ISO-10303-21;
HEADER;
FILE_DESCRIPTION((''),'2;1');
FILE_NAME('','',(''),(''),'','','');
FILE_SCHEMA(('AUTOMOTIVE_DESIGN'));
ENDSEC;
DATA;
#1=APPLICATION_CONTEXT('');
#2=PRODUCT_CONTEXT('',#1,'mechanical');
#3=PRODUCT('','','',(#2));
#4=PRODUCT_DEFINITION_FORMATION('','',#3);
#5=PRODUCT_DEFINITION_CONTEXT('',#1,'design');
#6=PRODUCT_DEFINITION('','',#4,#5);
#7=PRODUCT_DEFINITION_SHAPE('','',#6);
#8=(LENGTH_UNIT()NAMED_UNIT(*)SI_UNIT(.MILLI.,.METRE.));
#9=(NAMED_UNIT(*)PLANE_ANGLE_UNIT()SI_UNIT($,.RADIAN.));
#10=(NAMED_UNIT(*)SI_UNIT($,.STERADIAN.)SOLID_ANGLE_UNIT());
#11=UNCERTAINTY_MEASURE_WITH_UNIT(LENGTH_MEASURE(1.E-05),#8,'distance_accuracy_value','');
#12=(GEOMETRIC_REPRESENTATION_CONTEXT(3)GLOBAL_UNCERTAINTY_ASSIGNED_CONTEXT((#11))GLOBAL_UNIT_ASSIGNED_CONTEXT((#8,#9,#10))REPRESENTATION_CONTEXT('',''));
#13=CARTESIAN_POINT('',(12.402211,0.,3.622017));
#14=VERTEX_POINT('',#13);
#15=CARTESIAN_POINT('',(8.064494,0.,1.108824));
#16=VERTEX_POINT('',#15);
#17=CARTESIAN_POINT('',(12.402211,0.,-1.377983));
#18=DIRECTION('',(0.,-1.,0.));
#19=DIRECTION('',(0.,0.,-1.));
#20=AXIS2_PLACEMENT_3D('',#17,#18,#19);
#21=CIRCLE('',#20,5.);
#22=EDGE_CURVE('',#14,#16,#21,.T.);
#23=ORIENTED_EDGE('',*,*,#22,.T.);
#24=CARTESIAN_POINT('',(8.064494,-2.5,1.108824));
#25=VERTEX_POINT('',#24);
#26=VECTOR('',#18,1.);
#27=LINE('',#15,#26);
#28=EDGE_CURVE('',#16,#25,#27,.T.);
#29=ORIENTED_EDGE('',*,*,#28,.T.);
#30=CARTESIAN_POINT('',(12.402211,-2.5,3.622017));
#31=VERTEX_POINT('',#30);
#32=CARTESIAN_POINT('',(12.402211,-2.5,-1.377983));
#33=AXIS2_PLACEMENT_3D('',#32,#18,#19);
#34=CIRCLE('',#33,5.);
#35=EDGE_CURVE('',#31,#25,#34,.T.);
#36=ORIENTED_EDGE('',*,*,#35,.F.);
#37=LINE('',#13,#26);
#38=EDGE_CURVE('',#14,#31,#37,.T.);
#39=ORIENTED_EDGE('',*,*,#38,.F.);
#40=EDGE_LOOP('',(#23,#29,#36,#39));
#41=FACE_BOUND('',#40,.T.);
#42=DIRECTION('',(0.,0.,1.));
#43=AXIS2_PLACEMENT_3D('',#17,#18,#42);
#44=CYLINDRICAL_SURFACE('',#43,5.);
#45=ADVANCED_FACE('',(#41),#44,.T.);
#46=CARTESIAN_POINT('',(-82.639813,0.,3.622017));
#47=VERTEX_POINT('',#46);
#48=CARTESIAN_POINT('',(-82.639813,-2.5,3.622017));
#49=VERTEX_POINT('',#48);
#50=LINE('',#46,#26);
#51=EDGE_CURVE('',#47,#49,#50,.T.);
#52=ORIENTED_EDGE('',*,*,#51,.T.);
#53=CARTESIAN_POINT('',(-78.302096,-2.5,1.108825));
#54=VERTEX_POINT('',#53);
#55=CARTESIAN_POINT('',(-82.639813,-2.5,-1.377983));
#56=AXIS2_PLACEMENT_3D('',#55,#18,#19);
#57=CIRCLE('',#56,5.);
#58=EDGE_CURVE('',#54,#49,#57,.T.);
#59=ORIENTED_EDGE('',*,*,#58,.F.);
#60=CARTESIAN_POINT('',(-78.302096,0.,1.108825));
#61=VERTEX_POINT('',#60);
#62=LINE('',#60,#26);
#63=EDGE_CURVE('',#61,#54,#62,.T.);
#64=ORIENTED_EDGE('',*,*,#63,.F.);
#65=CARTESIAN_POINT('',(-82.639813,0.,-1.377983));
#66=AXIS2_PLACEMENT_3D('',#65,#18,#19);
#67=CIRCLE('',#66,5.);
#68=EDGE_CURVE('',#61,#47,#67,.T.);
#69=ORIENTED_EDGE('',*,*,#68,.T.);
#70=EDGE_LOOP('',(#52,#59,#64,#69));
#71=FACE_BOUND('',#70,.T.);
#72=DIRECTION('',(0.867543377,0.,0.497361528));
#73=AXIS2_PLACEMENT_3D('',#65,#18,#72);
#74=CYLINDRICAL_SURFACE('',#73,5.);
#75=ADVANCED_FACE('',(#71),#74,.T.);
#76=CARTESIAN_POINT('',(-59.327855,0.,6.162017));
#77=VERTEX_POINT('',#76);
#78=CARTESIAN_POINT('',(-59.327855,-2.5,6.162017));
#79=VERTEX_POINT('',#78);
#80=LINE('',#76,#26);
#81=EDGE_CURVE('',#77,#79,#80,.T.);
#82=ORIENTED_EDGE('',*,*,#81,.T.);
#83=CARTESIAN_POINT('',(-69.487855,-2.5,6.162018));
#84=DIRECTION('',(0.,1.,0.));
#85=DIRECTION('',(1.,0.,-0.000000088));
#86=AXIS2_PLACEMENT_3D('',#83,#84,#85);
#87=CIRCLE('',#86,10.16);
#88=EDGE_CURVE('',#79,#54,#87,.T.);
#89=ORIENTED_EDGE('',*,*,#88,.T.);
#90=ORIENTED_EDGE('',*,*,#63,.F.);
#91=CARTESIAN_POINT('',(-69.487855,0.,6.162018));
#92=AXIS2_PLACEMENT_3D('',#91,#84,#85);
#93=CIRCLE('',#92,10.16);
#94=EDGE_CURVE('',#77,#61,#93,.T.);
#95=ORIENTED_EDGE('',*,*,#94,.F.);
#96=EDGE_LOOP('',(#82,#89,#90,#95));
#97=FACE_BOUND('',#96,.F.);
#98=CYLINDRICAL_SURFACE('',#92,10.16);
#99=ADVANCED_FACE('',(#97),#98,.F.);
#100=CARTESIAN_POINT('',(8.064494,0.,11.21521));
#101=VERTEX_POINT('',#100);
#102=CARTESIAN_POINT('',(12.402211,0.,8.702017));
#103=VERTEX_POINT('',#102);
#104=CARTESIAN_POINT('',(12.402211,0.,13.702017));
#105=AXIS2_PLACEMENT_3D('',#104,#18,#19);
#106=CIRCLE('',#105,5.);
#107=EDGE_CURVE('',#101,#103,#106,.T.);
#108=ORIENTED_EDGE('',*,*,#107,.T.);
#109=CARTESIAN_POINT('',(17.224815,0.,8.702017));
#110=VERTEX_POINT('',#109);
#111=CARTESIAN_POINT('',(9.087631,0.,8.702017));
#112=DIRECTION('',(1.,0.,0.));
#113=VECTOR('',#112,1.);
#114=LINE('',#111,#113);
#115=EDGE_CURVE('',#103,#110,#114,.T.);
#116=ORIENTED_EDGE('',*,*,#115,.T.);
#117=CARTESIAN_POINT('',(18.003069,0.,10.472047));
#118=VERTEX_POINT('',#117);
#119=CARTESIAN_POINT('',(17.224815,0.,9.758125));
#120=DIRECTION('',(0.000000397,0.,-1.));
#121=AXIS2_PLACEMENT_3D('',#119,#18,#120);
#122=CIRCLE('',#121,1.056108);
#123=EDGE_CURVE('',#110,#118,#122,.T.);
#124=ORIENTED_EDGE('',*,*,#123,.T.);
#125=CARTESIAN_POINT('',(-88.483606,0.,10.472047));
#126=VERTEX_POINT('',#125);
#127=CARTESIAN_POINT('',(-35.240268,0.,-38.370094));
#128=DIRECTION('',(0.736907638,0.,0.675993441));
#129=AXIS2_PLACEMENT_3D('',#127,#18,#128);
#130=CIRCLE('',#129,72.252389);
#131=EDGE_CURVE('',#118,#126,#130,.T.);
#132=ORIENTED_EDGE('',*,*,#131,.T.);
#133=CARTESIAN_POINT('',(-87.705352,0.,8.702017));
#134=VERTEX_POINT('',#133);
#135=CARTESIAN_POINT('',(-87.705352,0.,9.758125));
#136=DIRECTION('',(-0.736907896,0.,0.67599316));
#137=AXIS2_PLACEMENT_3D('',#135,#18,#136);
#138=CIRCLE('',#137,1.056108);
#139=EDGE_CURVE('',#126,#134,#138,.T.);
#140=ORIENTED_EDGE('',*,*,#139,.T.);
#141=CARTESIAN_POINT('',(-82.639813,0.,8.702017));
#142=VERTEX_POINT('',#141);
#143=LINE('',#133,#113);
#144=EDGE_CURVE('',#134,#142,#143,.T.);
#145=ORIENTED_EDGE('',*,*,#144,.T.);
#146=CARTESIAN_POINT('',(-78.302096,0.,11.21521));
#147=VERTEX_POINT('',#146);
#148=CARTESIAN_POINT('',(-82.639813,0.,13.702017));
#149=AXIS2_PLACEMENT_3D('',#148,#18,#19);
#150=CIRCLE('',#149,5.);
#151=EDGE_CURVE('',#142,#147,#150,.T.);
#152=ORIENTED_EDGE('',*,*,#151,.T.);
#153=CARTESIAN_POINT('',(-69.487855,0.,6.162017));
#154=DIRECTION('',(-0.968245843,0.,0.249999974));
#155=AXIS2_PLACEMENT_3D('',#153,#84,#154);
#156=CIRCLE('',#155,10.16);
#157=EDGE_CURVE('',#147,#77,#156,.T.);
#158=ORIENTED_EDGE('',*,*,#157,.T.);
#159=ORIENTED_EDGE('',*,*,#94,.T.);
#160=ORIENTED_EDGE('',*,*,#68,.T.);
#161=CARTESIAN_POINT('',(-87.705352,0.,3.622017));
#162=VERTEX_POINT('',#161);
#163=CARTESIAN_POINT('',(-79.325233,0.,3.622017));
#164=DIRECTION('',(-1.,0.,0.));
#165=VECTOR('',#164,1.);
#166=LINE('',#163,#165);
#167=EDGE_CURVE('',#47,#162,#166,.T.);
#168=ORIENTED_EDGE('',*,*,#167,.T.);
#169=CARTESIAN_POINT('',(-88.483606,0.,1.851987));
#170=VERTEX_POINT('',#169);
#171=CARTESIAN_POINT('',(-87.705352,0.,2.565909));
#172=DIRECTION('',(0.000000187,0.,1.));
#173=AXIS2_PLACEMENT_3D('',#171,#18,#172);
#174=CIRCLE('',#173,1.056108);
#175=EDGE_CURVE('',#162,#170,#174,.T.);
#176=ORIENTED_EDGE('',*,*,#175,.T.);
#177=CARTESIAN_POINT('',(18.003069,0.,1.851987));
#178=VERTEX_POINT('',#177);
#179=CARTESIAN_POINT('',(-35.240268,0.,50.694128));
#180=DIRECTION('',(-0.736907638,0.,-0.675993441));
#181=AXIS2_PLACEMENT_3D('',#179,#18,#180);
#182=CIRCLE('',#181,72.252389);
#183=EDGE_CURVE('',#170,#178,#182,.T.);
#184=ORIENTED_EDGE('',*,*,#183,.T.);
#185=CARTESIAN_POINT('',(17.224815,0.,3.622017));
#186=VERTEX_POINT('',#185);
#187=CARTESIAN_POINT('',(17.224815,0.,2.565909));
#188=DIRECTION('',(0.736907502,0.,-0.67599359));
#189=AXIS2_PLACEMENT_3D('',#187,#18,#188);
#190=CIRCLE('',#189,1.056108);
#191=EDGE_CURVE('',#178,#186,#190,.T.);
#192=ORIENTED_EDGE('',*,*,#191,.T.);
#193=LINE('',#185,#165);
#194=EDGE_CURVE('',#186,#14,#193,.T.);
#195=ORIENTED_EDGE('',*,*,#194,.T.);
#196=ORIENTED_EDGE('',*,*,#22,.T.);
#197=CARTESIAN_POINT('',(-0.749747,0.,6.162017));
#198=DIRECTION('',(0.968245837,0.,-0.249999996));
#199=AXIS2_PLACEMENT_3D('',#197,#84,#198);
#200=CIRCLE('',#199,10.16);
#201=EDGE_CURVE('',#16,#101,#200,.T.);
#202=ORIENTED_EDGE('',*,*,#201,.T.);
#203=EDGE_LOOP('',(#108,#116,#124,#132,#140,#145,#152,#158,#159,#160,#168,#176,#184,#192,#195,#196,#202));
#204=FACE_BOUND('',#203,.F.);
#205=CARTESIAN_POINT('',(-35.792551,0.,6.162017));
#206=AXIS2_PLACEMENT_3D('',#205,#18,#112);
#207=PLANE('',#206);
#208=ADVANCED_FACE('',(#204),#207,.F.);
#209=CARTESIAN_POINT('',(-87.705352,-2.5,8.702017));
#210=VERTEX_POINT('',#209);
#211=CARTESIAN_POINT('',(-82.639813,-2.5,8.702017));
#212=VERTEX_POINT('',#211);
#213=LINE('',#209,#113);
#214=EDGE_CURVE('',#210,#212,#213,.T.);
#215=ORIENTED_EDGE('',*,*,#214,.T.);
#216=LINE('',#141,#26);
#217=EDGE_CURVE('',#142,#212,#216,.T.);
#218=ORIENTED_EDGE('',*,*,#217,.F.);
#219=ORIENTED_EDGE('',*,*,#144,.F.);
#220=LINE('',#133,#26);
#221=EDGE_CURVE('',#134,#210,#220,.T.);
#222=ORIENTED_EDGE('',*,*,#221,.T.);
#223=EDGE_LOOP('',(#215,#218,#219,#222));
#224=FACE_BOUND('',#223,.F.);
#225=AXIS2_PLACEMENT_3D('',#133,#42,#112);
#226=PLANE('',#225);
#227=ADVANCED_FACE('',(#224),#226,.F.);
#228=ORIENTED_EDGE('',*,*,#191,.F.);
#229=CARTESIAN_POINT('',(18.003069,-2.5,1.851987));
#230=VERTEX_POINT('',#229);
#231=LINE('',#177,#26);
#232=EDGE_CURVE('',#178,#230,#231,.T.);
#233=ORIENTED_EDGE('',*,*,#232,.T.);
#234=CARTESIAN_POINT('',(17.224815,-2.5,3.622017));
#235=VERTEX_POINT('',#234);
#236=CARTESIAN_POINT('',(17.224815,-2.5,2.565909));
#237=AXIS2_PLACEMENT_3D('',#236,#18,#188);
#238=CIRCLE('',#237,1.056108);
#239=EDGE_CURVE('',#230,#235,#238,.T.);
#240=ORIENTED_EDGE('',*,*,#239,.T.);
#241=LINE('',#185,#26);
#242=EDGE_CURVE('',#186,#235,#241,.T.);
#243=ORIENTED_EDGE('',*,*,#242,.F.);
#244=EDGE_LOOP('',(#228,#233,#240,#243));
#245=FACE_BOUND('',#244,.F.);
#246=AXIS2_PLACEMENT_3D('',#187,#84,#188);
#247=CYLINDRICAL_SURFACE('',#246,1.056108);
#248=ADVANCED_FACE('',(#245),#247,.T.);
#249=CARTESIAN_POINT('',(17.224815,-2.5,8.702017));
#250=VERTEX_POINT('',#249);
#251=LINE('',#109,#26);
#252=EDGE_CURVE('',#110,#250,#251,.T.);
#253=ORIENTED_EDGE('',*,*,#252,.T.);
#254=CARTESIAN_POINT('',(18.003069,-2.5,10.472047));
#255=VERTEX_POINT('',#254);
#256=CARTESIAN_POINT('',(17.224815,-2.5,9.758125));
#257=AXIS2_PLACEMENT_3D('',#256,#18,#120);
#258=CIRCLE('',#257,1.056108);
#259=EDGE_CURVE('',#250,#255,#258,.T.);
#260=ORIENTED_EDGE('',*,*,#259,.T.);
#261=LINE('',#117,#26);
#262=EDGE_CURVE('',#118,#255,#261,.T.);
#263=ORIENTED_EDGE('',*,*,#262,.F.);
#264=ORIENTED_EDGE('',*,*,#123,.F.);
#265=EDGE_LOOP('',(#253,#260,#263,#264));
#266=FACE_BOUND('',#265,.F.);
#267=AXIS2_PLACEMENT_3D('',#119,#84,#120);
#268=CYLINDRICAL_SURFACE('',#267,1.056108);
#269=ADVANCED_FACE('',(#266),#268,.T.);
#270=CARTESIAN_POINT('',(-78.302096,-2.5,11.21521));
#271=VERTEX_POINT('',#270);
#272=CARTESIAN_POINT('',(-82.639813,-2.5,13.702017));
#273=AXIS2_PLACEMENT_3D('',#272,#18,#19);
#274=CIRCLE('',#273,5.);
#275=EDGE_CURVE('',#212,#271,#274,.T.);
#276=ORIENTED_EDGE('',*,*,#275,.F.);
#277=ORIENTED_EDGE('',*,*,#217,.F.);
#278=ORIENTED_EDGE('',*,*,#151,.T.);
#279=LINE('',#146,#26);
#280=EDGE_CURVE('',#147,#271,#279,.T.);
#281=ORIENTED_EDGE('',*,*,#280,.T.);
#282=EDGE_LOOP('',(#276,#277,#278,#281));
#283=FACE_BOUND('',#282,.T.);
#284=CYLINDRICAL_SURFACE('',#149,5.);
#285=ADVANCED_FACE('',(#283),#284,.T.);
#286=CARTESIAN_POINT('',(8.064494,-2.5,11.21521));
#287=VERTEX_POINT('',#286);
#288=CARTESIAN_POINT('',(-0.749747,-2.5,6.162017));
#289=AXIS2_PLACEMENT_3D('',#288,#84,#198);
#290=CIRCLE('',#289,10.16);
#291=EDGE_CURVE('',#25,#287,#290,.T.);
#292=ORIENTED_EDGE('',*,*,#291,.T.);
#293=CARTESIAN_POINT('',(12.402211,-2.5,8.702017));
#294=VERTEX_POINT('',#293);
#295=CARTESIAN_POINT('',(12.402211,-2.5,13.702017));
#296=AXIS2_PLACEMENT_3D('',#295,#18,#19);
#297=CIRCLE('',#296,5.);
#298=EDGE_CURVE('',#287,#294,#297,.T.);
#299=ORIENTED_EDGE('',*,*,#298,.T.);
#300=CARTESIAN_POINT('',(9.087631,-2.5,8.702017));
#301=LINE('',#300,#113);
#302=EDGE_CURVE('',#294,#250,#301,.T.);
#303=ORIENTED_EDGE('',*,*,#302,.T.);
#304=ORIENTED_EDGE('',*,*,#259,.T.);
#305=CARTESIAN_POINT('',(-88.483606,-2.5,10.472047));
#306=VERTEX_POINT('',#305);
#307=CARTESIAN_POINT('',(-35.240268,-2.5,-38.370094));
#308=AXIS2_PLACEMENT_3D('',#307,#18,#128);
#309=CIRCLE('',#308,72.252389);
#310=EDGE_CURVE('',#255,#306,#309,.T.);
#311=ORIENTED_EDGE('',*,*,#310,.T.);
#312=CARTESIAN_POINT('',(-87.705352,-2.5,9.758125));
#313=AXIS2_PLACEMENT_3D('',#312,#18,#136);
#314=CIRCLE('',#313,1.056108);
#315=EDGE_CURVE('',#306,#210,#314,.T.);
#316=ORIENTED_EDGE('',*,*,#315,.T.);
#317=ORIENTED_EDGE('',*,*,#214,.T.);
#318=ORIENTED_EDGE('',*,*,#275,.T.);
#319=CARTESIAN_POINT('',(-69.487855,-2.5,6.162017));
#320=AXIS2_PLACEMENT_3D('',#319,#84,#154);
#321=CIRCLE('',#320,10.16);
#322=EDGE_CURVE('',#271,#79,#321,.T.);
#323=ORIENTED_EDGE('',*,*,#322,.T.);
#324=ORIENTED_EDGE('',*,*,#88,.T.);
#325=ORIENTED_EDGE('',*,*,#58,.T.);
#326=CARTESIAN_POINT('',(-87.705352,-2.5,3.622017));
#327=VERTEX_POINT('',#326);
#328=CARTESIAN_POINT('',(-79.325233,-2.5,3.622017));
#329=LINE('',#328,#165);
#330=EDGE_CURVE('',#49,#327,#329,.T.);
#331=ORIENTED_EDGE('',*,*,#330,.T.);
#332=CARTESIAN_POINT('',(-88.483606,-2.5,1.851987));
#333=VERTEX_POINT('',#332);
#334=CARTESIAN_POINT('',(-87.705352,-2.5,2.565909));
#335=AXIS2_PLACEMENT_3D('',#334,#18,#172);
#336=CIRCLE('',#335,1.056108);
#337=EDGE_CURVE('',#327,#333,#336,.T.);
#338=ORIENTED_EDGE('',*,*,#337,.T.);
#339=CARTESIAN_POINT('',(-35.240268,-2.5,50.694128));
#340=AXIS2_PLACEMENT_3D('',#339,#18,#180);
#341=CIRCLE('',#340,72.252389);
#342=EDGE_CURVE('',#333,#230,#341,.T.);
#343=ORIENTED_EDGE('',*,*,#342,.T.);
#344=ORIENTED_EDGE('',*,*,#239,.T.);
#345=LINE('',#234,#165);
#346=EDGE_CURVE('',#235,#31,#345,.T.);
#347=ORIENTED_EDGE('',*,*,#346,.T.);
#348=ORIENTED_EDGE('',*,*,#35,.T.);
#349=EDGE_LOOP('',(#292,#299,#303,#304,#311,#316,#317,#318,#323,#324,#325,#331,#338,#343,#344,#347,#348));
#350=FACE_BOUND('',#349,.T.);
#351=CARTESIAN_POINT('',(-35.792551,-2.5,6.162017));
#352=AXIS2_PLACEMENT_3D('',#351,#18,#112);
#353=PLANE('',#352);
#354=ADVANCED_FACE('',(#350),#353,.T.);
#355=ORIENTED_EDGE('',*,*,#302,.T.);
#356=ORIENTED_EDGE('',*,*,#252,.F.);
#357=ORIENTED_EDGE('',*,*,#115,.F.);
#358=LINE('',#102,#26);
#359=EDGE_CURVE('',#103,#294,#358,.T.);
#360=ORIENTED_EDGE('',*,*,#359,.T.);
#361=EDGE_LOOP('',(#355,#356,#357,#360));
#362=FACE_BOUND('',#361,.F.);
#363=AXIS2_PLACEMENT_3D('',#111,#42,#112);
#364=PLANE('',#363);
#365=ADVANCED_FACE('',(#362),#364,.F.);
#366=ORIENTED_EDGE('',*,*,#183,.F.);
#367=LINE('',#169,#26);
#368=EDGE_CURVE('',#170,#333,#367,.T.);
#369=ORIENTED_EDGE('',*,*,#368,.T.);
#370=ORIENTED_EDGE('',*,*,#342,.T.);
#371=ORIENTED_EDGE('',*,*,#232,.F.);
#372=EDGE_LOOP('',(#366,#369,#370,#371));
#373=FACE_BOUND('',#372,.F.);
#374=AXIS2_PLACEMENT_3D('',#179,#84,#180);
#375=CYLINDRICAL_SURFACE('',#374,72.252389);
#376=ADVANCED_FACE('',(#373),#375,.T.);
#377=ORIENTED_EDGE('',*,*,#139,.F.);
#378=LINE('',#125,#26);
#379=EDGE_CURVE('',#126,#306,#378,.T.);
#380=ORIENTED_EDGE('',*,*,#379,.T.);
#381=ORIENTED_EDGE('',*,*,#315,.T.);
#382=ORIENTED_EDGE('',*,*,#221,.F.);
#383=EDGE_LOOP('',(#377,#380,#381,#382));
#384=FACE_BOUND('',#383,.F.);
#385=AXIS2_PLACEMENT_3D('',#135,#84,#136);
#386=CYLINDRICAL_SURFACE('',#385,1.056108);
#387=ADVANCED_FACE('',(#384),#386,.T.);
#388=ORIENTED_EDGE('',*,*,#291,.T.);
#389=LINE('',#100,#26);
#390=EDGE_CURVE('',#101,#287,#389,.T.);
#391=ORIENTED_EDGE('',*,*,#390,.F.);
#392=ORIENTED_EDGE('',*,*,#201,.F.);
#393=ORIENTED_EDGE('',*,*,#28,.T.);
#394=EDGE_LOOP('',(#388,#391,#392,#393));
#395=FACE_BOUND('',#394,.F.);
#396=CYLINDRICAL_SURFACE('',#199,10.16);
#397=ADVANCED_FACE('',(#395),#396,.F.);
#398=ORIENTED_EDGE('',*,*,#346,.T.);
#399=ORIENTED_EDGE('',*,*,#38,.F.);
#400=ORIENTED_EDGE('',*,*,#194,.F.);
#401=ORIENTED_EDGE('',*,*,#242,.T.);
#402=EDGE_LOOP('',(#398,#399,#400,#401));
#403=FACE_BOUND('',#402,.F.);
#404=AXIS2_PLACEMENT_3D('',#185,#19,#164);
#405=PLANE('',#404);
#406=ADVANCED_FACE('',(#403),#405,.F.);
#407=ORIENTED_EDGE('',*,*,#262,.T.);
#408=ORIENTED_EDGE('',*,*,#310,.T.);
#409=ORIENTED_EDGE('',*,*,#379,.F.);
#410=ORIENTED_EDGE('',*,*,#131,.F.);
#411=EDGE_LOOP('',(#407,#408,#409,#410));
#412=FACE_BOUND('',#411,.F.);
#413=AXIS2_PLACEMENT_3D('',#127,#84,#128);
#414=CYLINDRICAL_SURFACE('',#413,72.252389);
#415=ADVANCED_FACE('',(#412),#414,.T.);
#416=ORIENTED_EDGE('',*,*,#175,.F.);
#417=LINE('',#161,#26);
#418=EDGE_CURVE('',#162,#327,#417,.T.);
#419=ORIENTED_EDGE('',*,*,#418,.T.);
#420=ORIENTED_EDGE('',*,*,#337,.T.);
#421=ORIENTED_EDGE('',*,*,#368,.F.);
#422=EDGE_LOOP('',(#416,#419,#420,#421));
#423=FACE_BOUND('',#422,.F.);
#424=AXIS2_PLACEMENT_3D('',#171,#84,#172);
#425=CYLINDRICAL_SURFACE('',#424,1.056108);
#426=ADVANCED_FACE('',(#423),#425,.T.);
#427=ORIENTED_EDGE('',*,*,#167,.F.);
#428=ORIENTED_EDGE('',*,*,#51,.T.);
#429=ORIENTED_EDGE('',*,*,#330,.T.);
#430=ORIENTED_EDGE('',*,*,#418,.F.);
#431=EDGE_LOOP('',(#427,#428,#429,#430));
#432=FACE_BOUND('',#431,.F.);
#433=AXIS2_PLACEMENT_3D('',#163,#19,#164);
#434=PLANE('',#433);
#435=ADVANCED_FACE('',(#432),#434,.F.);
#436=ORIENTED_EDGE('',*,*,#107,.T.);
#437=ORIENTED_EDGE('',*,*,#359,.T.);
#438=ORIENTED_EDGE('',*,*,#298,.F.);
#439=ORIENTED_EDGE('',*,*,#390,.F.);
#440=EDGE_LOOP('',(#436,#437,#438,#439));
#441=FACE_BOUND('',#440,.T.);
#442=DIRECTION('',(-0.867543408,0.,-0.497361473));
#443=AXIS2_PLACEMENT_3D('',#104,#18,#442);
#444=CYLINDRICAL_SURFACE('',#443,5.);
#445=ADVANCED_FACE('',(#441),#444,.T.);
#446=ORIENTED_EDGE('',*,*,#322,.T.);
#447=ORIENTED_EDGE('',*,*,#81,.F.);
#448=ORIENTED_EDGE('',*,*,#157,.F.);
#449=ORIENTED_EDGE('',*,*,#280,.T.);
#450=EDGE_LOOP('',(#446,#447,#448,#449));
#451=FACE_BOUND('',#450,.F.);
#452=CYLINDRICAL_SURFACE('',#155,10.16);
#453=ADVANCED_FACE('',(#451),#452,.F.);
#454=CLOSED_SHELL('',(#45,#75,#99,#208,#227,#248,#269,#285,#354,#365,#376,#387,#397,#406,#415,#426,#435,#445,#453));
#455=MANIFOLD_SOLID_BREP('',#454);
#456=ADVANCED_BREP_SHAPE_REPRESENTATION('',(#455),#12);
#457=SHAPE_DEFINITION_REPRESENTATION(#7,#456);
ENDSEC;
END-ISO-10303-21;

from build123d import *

# Parameters (mm, degrees)
F1_DEPTH = 2.5
F2_R     = 5


with BuildPart() as f1:
    # F0 (on Front) → F1 (new body)
    with BuildSketch(Plane.XZ):
        with BuildLine():
            ThreePointArc((17.224815, 8.702017), (18.191599, 9.333046), (18.003069, 10.472047))
            ThreePointArc((18.003069, 10.472047), (-35.240268, 33.882295), (-88.483606, 10.472047))
            ThreePointArc((-88.483606, 10.472047), (-88.672136, 9.333046), (-87.705352, 8.702017))
            Line((-87.705352, 8.702017), (-79.325233, 8.702017))
            ThreePointArc((-79.325233, 8.702017), (-68.207651, 16.241039), (-59.327855, 6.162017))
            ThreePointArc((-59.327855, 6.162017), (-68.207651, -3.917004), (-79.325233, 3.622017))
            Line((-79.325233, 3.622017), (-87.705352, 3.622017))
            ThreePointArc((-87.705352, 3.622017), (-88.672136, 2.990989), (-88.483606, 1.851987))
            ThreePointArc((-88.483606, 1.851987), (-35.240268, -21.558261), (18.003069, 1.851987))
            ThreePointArc((18.003069, 1.851987), (18.191599, 2.990989), (17.224815, 3.622017))
            Line((17.224815, 3.622017), (9.087631, 3.622017))
            ThreePointArc((9.087631, 3.622017), (-10.909747, 6.162017), (9.087631, 8.702017))
            Line((9.087631, 8.702017), (17.224815, 8.702017))
        make_face()
    extrude(amount=F1_DEPTH)

    # F2
    f2_edges = [f1.edges().sort_by_distance(p)[0] for p in [
        (-79.325233, -1.25, 3.622017),
        (-79.325233, -1.25, 8.702017),
        (9.087631, -1.25, 8.702017),
        (9.087631, -1.25, 3.622017),
    ]]
    fillet(f2_edges, radius=F2_R)


solid = f1.part
